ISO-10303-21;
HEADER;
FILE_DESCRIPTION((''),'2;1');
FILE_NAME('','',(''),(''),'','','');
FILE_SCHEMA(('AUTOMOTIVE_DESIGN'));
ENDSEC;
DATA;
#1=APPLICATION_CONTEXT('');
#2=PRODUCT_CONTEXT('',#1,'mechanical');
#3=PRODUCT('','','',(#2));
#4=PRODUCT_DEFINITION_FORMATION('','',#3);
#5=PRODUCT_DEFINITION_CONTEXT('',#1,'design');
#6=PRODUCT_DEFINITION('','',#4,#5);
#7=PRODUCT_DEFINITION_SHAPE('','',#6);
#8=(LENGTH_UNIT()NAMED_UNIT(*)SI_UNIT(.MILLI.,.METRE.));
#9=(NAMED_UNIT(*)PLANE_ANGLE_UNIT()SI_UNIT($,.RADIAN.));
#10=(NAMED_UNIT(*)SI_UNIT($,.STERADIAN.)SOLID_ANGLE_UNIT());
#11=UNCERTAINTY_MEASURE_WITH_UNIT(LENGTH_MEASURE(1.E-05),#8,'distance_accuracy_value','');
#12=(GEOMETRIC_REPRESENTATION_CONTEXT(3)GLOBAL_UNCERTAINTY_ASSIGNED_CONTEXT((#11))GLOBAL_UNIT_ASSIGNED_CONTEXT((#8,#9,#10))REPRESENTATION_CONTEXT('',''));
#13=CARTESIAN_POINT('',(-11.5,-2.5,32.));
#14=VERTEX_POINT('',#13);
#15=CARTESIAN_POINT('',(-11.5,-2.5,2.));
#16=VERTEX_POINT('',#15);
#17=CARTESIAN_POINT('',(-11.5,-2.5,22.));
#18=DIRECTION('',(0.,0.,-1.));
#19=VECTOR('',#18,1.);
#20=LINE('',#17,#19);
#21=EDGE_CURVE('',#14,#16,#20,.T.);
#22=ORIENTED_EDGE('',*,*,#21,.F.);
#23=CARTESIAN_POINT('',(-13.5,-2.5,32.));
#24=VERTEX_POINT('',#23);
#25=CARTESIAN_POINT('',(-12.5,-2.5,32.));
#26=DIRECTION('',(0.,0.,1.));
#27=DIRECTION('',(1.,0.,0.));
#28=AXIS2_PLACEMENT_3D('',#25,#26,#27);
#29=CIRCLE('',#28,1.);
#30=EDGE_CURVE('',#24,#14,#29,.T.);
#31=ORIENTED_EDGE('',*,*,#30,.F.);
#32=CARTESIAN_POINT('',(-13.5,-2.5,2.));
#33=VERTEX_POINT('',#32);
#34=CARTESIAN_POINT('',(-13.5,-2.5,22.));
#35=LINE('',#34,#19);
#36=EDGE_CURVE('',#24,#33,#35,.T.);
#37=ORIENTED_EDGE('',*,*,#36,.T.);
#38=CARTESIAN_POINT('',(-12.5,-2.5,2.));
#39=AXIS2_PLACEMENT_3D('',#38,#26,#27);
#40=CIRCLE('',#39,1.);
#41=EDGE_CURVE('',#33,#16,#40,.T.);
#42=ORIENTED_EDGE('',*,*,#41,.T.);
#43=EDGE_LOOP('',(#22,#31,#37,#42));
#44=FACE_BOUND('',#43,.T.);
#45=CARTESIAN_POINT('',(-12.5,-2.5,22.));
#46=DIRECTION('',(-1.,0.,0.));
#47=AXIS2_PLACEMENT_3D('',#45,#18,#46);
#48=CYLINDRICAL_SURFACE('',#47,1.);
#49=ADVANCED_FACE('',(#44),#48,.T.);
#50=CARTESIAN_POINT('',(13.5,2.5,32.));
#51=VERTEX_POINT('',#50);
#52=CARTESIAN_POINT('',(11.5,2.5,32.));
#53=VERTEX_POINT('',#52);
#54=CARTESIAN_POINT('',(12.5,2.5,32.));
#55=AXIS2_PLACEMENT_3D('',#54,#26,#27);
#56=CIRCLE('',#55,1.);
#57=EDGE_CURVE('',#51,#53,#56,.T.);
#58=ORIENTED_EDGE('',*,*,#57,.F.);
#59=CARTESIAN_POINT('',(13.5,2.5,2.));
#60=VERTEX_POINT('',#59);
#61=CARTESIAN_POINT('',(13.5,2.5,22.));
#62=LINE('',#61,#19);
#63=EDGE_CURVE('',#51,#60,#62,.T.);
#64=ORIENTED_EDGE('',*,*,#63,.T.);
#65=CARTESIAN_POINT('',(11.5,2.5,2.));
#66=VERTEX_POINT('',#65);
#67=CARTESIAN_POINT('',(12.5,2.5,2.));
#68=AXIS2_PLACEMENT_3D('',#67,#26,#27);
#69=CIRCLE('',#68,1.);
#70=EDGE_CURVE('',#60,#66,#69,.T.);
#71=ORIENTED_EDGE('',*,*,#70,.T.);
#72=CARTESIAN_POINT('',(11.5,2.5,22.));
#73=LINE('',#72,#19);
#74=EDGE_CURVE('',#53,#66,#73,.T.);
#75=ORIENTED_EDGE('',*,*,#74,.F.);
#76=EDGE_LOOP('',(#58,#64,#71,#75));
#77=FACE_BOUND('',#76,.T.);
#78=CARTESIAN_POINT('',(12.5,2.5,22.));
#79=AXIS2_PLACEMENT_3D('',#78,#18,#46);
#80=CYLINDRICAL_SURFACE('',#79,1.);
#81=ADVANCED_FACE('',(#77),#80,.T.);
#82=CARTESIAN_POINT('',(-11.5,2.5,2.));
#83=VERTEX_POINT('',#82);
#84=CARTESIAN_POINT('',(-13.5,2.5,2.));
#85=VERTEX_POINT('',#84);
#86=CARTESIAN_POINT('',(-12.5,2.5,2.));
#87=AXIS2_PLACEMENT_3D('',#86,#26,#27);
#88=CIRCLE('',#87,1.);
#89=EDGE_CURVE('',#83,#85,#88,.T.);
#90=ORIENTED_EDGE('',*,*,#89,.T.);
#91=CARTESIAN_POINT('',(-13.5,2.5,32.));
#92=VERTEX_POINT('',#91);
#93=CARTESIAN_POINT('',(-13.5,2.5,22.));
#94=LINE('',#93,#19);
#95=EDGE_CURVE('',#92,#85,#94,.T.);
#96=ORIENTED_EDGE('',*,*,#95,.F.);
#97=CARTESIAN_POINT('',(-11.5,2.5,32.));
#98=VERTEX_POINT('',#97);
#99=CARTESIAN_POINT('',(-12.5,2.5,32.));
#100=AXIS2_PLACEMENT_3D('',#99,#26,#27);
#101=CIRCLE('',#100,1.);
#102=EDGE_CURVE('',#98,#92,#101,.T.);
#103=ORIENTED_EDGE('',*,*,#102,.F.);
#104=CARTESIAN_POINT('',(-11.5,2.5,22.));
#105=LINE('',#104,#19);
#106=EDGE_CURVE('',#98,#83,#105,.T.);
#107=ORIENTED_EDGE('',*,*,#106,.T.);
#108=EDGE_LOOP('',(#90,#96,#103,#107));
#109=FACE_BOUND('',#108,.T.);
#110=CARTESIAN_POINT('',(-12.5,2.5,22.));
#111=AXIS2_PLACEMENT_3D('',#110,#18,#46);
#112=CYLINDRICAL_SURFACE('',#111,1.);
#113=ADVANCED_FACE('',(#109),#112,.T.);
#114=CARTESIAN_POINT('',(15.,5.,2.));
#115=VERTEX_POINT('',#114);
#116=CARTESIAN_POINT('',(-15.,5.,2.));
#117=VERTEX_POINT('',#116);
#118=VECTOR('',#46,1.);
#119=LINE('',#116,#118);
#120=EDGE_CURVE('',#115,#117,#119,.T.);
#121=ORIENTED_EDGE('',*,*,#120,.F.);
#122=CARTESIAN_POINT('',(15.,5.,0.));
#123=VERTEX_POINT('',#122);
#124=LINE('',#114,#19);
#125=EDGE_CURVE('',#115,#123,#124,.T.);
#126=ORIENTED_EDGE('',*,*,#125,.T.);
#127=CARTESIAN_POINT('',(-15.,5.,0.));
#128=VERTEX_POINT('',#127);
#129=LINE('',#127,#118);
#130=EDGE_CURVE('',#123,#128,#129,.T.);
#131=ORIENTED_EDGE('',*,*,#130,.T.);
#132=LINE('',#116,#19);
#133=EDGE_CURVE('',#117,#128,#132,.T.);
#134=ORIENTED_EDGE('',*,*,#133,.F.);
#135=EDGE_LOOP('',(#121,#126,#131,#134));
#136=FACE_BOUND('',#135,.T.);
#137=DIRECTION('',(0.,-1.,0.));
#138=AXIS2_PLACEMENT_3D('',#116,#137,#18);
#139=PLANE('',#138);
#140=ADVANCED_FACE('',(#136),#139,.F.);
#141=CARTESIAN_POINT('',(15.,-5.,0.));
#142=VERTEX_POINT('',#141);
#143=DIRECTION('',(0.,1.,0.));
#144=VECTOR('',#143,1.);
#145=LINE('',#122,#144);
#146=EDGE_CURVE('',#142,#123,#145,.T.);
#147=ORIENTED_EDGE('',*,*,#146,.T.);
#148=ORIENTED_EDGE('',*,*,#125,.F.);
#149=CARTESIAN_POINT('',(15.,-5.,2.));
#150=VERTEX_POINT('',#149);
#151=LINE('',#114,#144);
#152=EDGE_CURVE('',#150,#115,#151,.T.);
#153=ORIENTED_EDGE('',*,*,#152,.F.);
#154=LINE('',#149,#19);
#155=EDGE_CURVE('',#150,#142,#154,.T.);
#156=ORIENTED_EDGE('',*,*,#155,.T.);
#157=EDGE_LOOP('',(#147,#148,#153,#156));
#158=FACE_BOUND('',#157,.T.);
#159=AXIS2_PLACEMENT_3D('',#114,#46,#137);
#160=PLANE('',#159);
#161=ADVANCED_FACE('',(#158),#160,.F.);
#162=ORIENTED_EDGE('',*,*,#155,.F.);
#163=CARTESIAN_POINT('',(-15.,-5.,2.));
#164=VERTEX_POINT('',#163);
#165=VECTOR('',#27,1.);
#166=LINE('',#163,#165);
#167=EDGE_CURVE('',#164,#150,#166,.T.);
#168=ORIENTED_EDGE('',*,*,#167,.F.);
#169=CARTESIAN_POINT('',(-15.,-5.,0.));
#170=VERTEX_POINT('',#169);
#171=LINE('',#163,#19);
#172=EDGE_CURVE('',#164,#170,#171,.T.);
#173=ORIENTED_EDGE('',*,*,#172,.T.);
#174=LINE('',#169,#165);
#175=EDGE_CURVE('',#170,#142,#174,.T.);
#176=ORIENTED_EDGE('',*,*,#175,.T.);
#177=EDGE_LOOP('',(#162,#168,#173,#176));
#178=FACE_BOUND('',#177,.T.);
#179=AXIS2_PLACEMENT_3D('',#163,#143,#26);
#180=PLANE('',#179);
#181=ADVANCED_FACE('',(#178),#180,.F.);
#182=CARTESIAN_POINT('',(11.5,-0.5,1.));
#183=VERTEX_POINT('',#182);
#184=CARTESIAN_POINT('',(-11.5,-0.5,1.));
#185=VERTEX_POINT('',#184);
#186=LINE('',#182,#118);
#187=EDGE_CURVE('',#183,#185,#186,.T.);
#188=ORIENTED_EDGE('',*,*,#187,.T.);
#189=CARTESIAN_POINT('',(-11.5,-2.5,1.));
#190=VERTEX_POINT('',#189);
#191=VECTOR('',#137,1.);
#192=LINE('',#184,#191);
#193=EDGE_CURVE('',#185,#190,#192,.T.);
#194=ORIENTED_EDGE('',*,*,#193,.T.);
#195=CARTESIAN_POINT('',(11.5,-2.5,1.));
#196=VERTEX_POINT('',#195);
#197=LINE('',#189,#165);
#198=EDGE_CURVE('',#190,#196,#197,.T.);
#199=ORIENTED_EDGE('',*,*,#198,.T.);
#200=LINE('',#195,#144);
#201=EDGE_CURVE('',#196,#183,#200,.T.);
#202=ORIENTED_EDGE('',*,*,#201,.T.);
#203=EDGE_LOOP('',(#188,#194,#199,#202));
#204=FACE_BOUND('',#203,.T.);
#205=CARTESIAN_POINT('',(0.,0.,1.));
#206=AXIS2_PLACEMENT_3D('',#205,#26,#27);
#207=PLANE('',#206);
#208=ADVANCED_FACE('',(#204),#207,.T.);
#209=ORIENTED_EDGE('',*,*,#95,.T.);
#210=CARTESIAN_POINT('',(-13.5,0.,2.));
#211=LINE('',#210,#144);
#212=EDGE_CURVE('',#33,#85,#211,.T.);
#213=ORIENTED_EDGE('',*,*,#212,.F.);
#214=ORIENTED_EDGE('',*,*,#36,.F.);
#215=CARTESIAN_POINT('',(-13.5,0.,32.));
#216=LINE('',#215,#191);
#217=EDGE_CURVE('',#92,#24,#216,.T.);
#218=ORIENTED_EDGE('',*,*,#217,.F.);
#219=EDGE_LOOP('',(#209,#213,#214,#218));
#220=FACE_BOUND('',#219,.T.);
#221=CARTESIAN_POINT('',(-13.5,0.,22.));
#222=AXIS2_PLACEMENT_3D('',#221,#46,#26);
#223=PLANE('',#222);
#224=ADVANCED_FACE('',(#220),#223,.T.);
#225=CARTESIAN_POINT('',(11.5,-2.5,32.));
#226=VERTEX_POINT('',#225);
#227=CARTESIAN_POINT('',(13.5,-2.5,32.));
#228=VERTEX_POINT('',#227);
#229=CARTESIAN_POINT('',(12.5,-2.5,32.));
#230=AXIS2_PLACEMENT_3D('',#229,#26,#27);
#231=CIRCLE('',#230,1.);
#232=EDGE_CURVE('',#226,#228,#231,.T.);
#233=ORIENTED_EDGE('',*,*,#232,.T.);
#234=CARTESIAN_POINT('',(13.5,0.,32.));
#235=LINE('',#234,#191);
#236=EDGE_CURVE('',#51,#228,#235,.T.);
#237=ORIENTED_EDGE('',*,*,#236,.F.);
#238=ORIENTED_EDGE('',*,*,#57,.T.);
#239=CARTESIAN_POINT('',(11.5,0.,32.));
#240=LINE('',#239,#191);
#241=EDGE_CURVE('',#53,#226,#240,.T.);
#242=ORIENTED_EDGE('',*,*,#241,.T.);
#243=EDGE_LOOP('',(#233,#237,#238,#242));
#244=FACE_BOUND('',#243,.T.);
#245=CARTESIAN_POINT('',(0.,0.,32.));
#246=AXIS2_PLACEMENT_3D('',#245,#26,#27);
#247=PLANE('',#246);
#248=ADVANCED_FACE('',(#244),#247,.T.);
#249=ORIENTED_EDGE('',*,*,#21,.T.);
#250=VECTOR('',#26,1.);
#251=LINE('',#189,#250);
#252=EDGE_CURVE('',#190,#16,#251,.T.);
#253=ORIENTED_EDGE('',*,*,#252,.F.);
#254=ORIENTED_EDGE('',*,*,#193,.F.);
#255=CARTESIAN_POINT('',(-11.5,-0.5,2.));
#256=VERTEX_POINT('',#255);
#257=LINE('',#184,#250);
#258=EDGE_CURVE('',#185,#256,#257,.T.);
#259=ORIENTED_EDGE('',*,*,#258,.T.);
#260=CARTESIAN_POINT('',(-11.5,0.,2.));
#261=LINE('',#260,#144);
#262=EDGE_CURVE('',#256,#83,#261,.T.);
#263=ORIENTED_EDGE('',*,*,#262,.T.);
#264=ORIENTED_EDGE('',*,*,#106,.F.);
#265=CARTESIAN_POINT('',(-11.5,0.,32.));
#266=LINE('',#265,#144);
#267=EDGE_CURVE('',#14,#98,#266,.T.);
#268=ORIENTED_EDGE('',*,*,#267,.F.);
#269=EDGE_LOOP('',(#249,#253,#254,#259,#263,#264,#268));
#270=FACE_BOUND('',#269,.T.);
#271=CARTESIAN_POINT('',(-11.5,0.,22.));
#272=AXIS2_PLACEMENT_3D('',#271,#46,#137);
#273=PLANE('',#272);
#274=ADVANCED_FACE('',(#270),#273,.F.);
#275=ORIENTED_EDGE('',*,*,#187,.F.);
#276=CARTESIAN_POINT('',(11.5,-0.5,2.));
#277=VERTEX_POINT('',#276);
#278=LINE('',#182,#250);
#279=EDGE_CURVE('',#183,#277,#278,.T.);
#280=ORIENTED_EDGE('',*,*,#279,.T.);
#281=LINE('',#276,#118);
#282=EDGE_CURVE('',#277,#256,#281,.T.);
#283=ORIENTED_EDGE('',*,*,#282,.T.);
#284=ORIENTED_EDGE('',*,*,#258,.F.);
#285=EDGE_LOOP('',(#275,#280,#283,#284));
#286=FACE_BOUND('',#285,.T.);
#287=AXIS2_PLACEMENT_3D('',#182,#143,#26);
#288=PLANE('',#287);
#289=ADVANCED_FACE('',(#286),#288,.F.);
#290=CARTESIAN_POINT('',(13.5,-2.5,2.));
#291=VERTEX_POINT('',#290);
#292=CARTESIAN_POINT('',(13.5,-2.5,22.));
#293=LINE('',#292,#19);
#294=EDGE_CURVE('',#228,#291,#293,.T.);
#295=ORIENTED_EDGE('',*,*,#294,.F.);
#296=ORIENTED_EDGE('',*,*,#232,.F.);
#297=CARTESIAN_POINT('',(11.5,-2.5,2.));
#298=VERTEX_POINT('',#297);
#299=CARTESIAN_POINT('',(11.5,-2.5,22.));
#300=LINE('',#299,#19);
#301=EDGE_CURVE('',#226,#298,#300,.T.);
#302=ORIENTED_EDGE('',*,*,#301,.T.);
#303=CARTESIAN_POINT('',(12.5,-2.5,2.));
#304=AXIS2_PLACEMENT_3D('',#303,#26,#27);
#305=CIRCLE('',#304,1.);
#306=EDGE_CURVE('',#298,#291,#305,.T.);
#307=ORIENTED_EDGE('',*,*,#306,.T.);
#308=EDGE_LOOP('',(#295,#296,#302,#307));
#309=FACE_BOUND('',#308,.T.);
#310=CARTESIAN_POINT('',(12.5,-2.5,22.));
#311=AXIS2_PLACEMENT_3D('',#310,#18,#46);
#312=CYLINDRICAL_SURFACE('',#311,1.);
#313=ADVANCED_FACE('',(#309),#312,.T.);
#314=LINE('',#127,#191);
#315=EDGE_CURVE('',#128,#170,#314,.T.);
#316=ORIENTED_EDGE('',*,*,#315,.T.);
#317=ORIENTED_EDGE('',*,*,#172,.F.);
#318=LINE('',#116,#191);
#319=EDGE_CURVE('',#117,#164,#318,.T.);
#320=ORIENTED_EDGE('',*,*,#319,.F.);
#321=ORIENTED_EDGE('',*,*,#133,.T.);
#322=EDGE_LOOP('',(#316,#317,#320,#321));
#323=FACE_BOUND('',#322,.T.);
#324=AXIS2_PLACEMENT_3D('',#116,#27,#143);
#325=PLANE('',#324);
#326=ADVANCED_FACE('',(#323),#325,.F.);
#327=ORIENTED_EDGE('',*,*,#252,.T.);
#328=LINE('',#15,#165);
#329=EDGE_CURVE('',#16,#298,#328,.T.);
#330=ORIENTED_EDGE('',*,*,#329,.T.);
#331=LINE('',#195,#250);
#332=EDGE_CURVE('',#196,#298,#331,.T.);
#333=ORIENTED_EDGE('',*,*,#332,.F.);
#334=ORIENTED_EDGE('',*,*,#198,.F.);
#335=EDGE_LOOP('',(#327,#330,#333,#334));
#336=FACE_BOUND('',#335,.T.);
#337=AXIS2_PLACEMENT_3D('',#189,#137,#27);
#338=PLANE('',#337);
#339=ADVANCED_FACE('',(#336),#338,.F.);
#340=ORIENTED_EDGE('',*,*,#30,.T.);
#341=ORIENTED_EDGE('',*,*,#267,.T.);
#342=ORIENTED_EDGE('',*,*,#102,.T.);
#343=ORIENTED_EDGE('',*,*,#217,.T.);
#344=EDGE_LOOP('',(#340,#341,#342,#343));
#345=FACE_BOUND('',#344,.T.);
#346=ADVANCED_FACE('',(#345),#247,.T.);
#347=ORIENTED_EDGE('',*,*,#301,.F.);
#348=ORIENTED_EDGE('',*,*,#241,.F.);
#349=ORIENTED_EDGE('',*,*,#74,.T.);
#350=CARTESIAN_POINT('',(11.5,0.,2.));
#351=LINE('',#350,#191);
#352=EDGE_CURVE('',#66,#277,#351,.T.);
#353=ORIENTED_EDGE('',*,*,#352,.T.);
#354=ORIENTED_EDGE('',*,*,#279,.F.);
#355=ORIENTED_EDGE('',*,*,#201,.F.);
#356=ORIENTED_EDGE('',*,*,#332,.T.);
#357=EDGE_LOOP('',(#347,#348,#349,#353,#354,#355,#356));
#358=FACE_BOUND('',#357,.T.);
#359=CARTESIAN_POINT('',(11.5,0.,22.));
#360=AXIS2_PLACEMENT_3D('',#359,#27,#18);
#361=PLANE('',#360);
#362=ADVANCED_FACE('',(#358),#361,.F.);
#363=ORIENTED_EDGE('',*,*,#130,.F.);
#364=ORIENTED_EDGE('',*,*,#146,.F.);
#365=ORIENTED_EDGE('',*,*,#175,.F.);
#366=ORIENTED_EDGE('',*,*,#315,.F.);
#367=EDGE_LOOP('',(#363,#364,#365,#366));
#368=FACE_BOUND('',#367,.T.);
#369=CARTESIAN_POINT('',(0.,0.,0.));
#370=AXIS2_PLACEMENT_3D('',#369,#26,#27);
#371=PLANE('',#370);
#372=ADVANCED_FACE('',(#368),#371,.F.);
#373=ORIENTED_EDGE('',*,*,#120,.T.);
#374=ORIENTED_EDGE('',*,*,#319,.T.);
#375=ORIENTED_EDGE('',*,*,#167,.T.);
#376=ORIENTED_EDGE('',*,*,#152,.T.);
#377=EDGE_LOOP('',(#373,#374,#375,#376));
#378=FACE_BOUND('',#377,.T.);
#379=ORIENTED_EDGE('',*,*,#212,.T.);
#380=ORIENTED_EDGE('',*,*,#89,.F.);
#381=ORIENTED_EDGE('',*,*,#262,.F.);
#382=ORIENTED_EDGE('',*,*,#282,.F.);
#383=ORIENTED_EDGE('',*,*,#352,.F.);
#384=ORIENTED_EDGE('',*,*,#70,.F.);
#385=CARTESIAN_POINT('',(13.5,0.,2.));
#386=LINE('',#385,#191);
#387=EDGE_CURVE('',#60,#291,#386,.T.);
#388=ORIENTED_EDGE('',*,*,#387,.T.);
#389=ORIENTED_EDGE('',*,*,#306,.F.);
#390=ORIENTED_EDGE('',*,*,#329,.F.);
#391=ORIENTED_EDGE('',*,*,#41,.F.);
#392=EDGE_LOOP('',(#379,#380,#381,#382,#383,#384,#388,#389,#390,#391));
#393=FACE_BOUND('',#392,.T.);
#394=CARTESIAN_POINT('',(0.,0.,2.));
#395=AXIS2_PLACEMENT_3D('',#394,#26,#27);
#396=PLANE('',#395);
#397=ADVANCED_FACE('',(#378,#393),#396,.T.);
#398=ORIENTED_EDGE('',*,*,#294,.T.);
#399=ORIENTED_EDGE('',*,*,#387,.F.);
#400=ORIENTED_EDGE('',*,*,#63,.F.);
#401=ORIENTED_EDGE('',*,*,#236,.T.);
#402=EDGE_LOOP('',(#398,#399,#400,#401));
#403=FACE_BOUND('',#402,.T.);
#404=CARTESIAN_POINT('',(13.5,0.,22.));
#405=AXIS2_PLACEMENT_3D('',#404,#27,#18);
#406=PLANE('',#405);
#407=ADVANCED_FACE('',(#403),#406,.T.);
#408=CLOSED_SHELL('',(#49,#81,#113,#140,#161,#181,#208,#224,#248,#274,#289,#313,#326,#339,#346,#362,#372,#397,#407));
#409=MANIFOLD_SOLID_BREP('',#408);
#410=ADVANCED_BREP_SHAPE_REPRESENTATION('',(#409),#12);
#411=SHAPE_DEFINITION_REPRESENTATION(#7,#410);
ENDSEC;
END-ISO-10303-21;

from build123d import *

# Parameters (mm, degrees)
CROQUIS1_W              = 30
CROQUIS1_H              = 10
SALIENTE_EXTRUIR1_DEPTH = 2
SALIENTE_EXTRUIR2_DEPTH = 20
CROQUIS3_W              = 23
CROQUIS3_H              = 2
CORTAR_EXTRUIR1_DEPTH   = 1
SALIENTE_EXTRUIR3_DEPTH = 10


with BuildPart() as part:
    # Croquis1 → Saliente-Extruir1 (new body)
    with BuildSketch(Plane.XY):
        Rectangle(CROQUIS1_W, CROQUIS1_H)
    extrude(amount=SALIENTE_EXTRUIR1_DEPTH)

    # Croquis2 → Saliente-Extruir2 (add)
    with BuildSketch(Plane.XY.offset(2)):
        with BuildLine():
            Line((-13.5, -2.5), (-13.5, 2.5))
            ThreePointArc((-13.5, 2.5), (-12.5, 3.5), (-11.5, 2.5))
            Line((-11.5, 2.5), (-11.5, -2.5))
            ThreePointArc((-11.5, -2.5), (-12.5, -3.5), (-13.5, -2.5))
        make_face()
        with BuildLine():
            Line((11.5, 2.5), (11.5, -2.5))
            ThreePointArc((11.5, -2.5), (12.5, -3.5), (13.5, -2.5))
            Line((13.5, -2.5), (13.5, 2.5))
            ThreePointArc((13.5, 2.5), (12.5, 3.5), (11.5, 2.5))
        make_face()
    extrude(amount=SALIENTE_EXTRUIR2_DEPTH)

    # Croquis3 → Cortar-Extruir1 (cut)
    with BuildSketch(Plane.XY.offset(2)):
        with Locations((0, -1.5)):
            Rectangle(CROQUIS3_W, CROQUIS3_H)
    extrude(amount=-CORTAR_EXTRUIR1_DEPTH, mode=Mode.SUBTRACT)

    # Croquis4 → Saliente-Extruir3 (add)
    with BuildSketch(Plane.XY.offset(22)):
        with BuildLine():
            Line((-13.5, 2.5), (-11.5, 2.5))
            ThreePointArc((-11.5, 2.5), (-12.5, 3.5), (-13.5, 2.5))
        make_face()
        with BuildLine():
            ThreePointArc((-11.5, 2.5), (-12.5, 3.5), (-13.5, 2.5))
            Line((-13.5, 2.5), (-11.5, 2.5))
        make_face()
        with BuildLine():
            Line((-11.5, 2.5), (-13.5, 2.5))
            ThreePointArc((-13.5, 2.5), (-12.5, 1.5), (-11.5, 2.5))
        make_face()
        with BuildLine():
            ThreePointArc((-11.5, 2.5), (-12.5, 1.5), (-13.5, 2.5))
            Line((-13.5, 2.5), (-13.5, -2.5))
            ThreePointArc((-13.5, -2.5), (-12.5, -1.5), (-11.5, -2.5))
            Line((-11.5, -2.5), (-11.5, 2.5))
        make_face()
        with BuildLine():
            Line((-13.5, -2.5), (-11.5, -2.5))
            ThreePointArc((-11.5, -2.5), (-12.5, -3.5), (-13.5, -2.5))
        make_face()
        with BuildLine():
            ThreePointArc((-11.5, -2.5), (-12.5, -1.5), (-13.5, -2.5))
            Line((-13.5, -2.5), (-11.5, -2.5))
        make_face()
        with BuildLine():
            Line((-11.5, -2.5), (-13.5, -2.5))
            ThreePointArc((-13.5, -2.5), (-12.5, -3.5), (-11.5, -2.5))
        make_face()
        with BuildLine():
            ThreePointArc((13.5, -2.5), (12.5, -1.5), (11.5, -2.5))
            Line((11.5, -2.5), (13.5, -2.5))
        make_face()
        with BuildLine():
            Line((13.5, -2.5), (11.5, -2.5))
            ThreePointArc((11.5, -2.5), (12.5, -3.5), (13.5, -2.5))
        make_face()
        with BuildLine():
            ThreePointArc((13.5, 2.5), (12.5, 1.5), (11.5, 2.5))
            Line((11.5, 2.5), (11.5, -2.5))
            ThreePointArc((11.5, -2.5), (12.5, -1.5), (13.5, -2.5))
            Line((13.5, -2.5), (13.5, 2.5))
        make_face()
        with BuildLine():
            ThreePointArc((13.5, 2.5), (12.5, 3.5), (11.5, 2.5))
            Line((11.5, 2.5), (13.5, 2.5))
        make_face()
        with BuildLine():
            Line((13.5, 2.5), (11.5, 2.5))
            ThreePointArc((11.5, 2.5), (12.5, 1.5), (13.5, 2.5))
        make_face()
    extrude(amount=SALIENTE_EXTRUIR3_DEPTH)


solid = part.part
